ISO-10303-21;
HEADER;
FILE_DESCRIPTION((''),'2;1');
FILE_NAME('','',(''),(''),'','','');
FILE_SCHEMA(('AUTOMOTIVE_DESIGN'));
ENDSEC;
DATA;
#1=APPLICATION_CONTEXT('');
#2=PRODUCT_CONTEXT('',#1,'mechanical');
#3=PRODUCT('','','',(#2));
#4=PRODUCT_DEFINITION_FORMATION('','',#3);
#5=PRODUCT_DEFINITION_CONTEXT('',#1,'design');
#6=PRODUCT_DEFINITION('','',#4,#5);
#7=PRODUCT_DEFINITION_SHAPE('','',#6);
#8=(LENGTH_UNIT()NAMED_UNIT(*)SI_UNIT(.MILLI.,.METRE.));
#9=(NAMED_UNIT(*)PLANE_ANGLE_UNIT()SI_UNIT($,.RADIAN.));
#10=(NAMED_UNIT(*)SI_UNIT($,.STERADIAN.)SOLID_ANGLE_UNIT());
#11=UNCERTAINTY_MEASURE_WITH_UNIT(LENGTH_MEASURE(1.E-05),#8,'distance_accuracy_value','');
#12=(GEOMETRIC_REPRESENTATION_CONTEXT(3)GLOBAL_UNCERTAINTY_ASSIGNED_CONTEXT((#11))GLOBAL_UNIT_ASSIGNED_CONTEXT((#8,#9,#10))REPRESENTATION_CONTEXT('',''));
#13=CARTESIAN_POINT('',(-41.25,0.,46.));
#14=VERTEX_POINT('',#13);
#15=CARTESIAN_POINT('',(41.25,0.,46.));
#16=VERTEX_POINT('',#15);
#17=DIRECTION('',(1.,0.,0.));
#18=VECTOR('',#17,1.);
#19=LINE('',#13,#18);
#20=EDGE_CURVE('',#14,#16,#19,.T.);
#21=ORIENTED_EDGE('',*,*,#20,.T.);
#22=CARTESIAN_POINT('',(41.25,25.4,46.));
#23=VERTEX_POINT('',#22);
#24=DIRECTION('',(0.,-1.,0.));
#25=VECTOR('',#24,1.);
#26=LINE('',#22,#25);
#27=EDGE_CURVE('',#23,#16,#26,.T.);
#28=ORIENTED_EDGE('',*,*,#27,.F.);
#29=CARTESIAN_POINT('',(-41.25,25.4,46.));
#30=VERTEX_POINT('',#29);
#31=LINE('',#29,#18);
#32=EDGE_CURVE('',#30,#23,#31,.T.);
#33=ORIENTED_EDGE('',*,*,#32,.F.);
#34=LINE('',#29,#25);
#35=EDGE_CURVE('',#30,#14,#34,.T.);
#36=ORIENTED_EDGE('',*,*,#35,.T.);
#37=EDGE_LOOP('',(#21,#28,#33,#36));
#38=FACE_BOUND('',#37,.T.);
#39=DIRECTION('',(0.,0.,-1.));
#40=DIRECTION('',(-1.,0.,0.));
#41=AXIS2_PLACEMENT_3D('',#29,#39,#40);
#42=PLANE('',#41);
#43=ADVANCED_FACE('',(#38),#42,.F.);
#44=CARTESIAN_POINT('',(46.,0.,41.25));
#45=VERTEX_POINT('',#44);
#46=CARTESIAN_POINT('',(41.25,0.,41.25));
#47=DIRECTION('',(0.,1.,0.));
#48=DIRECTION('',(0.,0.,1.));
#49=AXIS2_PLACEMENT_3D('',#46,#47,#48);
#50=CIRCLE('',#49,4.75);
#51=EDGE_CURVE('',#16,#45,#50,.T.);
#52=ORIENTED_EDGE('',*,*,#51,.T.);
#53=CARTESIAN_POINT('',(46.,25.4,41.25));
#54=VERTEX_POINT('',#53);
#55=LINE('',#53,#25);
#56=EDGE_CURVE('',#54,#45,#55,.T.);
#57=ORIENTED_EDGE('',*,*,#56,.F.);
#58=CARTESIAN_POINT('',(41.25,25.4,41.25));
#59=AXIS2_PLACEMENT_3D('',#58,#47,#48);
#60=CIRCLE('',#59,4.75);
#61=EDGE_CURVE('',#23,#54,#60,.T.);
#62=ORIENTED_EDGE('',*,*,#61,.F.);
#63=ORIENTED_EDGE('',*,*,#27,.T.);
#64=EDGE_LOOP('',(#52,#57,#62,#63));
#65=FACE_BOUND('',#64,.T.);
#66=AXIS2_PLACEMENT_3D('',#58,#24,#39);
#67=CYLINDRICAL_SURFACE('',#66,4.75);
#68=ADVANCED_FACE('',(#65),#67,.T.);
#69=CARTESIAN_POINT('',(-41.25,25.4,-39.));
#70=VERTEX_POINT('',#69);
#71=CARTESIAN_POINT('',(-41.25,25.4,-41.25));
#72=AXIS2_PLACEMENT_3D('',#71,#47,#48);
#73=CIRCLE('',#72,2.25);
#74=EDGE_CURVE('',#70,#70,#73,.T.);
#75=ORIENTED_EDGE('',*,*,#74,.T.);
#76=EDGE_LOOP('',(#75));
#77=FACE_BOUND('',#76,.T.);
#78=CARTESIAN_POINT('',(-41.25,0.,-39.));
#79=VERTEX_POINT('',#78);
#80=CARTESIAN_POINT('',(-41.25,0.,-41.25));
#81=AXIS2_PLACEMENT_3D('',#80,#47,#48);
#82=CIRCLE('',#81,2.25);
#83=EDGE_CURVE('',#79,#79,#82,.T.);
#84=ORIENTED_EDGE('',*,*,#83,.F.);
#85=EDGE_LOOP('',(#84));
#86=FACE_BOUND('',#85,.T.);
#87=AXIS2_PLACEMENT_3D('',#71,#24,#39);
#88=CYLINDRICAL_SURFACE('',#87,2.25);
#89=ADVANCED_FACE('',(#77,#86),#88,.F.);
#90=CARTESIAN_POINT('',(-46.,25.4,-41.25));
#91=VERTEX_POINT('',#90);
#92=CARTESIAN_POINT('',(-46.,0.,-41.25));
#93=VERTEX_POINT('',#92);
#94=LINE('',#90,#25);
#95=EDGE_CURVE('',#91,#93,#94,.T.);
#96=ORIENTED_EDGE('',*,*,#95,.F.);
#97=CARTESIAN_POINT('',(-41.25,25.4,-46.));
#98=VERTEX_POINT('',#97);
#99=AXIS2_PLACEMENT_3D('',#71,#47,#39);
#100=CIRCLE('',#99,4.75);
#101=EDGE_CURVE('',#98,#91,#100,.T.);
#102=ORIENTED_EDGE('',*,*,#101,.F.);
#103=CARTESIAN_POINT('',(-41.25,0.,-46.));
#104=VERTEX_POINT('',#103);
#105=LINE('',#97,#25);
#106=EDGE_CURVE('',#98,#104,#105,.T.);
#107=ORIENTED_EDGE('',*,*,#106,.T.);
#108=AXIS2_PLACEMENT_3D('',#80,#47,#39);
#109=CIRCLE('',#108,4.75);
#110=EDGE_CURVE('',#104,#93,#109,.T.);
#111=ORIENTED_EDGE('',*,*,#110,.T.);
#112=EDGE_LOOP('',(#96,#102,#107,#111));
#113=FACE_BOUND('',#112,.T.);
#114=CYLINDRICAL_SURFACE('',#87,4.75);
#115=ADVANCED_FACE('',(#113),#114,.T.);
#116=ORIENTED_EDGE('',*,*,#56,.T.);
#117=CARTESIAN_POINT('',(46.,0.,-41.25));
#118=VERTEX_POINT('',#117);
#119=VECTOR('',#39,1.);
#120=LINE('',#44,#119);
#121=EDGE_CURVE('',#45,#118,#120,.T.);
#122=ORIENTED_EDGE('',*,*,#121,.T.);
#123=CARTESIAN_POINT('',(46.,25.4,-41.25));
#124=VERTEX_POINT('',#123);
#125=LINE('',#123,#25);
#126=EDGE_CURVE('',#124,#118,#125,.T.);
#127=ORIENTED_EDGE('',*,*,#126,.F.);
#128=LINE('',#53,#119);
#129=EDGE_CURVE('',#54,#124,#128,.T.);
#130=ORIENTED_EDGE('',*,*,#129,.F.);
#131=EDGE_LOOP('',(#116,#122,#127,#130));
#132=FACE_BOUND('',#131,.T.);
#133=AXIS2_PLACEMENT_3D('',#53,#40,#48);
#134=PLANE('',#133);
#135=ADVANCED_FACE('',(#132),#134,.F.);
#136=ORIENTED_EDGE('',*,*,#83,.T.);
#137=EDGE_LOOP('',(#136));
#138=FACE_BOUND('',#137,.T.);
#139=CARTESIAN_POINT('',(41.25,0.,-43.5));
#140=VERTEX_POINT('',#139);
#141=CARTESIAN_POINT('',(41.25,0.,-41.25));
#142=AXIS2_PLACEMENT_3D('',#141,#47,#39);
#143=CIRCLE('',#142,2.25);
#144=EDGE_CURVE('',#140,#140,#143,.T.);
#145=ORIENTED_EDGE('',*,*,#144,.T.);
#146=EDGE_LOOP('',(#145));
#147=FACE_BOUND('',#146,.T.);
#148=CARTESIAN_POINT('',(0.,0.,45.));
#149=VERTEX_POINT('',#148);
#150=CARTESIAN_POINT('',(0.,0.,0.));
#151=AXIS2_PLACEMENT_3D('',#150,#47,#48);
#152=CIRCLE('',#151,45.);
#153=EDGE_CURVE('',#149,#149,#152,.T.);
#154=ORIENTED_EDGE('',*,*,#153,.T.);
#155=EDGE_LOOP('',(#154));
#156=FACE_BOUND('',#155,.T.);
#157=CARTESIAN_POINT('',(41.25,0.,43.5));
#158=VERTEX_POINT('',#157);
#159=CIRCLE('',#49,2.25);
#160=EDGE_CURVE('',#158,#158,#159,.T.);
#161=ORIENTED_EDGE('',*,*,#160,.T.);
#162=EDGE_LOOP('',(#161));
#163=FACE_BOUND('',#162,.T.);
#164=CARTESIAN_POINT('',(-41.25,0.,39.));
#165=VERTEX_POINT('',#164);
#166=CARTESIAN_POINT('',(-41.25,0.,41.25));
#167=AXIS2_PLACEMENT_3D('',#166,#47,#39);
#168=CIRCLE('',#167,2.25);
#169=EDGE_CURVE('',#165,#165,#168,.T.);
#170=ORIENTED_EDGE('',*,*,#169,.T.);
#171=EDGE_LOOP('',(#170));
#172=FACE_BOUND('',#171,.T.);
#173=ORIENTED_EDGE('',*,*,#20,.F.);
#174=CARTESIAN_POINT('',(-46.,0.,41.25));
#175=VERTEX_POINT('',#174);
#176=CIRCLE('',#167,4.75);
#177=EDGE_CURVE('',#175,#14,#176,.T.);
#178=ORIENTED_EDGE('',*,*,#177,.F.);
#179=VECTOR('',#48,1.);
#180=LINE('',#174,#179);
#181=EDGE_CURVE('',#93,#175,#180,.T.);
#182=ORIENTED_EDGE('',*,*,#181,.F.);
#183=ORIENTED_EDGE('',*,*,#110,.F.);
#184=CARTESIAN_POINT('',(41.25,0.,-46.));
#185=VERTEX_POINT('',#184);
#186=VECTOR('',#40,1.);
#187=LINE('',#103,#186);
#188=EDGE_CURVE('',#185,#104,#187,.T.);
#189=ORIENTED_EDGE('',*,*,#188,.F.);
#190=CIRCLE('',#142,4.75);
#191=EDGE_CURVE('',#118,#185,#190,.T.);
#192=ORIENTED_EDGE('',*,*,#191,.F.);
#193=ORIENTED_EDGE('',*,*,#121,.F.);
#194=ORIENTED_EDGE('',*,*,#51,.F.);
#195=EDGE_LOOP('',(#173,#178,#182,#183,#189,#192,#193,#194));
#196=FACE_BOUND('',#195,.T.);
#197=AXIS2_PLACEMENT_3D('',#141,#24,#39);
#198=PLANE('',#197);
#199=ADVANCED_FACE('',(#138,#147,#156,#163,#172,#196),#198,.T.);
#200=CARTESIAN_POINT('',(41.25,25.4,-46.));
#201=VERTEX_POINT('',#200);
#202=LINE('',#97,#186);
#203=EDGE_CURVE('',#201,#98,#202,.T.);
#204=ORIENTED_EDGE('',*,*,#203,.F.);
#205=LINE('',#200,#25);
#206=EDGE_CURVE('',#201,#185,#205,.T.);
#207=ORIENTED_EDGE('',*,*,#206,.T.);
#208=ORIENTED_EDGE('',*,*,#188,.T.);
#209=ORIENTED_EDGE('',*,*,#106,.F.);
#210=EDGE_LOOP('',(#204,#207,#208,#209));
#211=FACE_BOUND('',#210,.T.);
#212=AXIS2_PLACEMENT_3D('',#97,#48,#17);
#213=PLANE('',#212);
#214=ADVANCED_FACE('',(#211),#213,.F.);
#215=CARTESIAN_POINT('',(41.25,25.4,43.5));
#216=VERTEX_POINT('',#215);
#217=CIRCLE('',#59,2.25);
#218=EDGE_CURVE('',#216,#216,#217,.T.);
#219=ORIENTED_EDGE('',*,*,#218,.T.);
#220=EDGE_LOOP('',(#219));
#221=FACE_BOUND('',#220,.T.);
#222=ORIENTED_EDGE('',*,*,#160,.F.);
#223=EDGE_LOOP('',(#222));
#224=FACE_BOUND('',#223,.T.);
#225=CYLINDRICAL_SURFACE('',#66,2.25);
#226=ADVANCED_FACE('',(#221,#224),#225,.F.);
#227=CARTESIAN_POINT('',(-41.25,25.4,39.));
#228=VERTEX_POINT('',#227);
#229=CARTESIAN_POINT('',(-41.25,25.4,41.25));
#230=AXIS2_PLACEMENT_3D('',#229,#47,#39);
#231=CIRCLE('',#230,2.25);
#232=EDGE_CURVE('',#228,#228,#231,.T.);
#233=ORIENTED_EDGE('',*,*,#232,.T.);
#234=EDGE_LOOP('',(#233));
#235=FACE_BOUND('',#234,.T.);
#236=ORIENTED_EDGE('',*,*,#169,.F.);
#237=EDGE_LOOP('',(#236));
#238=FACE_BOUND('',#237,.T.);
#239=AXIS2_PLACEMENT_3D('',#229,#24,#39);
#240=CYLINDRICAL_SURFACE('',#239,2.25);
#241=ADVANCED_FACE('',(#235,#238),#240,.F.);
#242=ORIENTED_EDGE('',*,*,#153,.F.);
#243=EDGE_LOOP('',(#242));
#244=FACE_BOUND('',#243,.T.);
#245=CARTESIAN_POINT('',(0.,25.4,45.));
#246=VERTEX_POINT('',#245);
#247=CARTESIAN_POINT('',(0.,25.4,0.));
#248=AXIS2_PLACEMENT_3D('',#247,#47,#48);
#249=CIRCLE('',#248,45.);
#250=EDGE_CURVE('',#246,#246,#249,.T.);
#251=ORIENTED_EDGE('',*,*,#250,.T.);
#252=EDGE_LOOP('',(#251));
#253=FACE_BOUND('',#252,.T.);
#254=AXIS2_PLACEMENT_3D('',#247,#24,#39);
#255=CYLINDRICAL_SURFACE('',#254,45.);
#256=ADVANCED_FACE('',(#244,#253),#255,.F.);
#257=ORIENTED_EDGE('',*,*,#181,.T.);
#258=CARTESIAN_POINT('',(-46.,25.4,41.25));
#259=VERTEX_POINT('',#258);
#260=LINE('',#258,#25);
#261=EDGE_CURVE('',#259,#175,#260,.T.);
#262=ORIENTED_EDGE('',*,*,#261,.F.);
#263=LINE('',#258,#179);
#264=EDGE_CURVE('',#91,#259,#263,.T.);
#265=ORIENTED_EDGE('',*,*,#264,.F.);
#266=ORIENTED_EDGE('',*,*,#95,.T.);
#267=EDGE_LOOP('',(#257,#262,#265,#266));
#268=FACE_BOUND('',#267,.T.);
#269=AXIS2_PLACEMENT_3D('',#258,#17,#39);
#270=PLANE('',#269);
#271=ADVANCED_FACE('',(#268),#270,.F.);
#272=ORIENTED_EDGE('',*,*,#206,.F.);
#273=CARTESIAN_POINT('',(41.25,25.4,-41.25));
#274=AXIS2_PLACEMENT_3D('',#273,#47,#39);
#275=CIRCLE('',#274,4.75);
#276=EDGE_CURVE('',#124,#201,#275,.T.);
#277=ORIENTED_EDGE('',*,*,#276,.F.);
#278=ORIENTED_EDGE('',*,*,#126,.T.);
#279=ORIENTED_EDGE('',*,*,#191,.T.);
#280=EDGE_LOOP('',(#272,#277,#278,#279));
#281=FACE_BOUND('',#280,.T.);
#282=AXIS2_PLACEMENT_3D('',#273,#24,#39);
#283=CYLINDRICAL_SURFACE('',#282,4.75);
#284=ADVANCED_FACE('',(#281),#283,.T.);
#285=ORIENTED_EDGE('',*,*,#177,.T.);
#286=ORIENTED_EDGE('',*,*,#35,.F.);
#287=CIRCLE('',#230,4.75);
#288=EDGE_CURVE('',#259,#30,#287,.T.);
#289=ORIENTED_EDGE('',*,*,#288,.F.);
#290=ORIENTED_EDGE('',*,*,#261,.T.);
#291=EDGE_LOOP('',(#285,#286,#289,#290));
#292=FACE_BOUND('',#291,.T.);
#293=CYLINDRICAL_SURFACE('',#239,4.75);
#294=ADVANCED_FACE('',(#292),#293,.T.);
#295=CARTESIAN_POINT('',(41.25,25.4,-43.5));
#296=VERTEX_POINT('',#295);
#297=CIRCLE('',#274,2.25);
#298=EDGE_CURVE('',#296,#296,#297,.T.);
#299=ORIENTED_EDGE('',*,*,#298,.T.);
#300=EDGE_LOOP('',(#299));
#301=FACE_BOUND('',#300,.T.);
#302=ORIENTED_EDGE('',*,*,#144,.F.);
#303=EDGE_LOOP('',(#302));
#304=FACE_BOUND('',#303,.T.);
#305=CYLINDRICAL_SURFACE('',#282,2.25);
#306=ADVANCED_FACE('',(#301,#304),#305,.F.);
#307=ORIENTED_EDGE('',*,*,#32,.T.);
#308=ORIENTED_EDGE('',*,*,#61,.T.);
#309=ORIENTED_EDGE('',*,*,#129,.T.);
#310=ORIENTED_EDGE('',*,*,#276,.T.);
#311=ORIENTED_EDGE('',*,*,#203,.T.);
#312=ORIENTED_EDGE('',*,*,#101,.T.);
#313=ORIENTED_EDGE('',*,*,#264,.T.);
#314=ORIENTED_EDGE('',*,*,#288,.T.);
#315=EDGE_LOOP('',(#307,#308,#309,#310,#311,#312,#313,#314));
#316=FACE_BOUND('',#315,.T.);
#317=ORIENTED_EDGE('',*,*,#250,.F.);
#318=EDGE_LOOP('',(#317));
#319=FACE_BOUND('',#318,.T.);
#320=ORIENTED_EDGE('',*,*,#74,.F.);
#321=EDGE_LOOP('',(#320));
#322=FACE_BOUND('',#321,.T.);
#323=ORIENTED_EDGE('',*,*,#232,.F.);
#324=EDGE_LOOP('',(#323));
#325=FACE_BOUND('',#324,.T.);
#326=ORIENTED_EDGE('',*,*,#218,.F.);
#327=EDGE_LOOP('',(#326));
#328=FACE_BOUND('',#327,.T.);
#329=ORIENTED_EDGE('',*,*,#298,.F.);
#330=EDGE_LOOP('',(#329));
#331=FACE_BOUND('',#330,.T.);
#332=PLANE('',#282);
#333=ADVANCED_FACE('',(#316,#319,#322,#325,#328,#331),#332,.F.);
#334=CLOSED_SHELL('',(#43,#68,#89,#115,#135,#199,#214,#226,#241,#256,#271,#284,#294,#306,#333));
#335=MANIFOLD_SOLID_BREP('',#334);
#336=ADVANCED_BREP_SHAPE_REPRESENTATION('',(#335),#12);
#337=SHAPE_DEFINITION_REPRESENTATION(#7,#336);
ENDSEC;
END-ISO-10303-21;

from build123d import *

# Parameters (mm, degrees)
SKETCH1_R           = 45
SKETCH1_R_2         = 2.25
BOSS_EXTRUDE1_DEPTH = 25.4


with BuildPart() as part:
    # Sketch1 → Boss-Extrude1 (new body)
    with BuildSketch(Plane(origin=(0, 0, 0), x_dir=(1, 0, 0), z_dir=(0, 1, 0))):
        with BuildLine():
            Line((-41.25, -46), (41.25, -46))
            ThreePointArc((41.25, -46), (44.608757211, -44.608757211), (46, -41.25))
            Line((46, -41.25), (46, 41.25))
            ThreePointArc((46, 41.25), (44.608757211, 44.608757211), (41.25, 46))
            Line((41.25, 46), (-41.25, 46))
            ThreePointArc((-41.25, 46), (-44.608757211, 44.608757211), (-46, 41.25))
            Line((-46, 41.25), (-46, -41.25))
            ThreePointArc((-46, -41.25), (-44.608757211, -44.608757211), (-41.25, -46))
        make_face()
        with Locations(Location((0, 0, 0), (0, 0, 270))):
            Circle(SKETCH1_R, mode=Mode.SUBTRACT)
        with Locations(Location((-41.25, 41.25, 0), (0, 0, 270))):
            Circle(SKETCH1_R_2, mode=Mode.SUBTRACT)
        with Locations(Location((41.25, 41.25, 0), (0, 0, 90))):
            Circle(SKETCH1_R_2, mode=Mode.SUBTRACT)
        with Locations(Location((41.25, -41.25, 0), (0, 0, 270))):
            Circle(SKETCH1_R_2, mode=Mode.SUBTRACT)
        with Locations(Location((-41.25, -41.25, 0), (0, 0, 90))):
            Circle(SKETCH1_R_2, mode=Mode.SUBTRACT)
    extrude(amount=BOSS_EXTRUDE1_DEPTH)


solid = part.part
